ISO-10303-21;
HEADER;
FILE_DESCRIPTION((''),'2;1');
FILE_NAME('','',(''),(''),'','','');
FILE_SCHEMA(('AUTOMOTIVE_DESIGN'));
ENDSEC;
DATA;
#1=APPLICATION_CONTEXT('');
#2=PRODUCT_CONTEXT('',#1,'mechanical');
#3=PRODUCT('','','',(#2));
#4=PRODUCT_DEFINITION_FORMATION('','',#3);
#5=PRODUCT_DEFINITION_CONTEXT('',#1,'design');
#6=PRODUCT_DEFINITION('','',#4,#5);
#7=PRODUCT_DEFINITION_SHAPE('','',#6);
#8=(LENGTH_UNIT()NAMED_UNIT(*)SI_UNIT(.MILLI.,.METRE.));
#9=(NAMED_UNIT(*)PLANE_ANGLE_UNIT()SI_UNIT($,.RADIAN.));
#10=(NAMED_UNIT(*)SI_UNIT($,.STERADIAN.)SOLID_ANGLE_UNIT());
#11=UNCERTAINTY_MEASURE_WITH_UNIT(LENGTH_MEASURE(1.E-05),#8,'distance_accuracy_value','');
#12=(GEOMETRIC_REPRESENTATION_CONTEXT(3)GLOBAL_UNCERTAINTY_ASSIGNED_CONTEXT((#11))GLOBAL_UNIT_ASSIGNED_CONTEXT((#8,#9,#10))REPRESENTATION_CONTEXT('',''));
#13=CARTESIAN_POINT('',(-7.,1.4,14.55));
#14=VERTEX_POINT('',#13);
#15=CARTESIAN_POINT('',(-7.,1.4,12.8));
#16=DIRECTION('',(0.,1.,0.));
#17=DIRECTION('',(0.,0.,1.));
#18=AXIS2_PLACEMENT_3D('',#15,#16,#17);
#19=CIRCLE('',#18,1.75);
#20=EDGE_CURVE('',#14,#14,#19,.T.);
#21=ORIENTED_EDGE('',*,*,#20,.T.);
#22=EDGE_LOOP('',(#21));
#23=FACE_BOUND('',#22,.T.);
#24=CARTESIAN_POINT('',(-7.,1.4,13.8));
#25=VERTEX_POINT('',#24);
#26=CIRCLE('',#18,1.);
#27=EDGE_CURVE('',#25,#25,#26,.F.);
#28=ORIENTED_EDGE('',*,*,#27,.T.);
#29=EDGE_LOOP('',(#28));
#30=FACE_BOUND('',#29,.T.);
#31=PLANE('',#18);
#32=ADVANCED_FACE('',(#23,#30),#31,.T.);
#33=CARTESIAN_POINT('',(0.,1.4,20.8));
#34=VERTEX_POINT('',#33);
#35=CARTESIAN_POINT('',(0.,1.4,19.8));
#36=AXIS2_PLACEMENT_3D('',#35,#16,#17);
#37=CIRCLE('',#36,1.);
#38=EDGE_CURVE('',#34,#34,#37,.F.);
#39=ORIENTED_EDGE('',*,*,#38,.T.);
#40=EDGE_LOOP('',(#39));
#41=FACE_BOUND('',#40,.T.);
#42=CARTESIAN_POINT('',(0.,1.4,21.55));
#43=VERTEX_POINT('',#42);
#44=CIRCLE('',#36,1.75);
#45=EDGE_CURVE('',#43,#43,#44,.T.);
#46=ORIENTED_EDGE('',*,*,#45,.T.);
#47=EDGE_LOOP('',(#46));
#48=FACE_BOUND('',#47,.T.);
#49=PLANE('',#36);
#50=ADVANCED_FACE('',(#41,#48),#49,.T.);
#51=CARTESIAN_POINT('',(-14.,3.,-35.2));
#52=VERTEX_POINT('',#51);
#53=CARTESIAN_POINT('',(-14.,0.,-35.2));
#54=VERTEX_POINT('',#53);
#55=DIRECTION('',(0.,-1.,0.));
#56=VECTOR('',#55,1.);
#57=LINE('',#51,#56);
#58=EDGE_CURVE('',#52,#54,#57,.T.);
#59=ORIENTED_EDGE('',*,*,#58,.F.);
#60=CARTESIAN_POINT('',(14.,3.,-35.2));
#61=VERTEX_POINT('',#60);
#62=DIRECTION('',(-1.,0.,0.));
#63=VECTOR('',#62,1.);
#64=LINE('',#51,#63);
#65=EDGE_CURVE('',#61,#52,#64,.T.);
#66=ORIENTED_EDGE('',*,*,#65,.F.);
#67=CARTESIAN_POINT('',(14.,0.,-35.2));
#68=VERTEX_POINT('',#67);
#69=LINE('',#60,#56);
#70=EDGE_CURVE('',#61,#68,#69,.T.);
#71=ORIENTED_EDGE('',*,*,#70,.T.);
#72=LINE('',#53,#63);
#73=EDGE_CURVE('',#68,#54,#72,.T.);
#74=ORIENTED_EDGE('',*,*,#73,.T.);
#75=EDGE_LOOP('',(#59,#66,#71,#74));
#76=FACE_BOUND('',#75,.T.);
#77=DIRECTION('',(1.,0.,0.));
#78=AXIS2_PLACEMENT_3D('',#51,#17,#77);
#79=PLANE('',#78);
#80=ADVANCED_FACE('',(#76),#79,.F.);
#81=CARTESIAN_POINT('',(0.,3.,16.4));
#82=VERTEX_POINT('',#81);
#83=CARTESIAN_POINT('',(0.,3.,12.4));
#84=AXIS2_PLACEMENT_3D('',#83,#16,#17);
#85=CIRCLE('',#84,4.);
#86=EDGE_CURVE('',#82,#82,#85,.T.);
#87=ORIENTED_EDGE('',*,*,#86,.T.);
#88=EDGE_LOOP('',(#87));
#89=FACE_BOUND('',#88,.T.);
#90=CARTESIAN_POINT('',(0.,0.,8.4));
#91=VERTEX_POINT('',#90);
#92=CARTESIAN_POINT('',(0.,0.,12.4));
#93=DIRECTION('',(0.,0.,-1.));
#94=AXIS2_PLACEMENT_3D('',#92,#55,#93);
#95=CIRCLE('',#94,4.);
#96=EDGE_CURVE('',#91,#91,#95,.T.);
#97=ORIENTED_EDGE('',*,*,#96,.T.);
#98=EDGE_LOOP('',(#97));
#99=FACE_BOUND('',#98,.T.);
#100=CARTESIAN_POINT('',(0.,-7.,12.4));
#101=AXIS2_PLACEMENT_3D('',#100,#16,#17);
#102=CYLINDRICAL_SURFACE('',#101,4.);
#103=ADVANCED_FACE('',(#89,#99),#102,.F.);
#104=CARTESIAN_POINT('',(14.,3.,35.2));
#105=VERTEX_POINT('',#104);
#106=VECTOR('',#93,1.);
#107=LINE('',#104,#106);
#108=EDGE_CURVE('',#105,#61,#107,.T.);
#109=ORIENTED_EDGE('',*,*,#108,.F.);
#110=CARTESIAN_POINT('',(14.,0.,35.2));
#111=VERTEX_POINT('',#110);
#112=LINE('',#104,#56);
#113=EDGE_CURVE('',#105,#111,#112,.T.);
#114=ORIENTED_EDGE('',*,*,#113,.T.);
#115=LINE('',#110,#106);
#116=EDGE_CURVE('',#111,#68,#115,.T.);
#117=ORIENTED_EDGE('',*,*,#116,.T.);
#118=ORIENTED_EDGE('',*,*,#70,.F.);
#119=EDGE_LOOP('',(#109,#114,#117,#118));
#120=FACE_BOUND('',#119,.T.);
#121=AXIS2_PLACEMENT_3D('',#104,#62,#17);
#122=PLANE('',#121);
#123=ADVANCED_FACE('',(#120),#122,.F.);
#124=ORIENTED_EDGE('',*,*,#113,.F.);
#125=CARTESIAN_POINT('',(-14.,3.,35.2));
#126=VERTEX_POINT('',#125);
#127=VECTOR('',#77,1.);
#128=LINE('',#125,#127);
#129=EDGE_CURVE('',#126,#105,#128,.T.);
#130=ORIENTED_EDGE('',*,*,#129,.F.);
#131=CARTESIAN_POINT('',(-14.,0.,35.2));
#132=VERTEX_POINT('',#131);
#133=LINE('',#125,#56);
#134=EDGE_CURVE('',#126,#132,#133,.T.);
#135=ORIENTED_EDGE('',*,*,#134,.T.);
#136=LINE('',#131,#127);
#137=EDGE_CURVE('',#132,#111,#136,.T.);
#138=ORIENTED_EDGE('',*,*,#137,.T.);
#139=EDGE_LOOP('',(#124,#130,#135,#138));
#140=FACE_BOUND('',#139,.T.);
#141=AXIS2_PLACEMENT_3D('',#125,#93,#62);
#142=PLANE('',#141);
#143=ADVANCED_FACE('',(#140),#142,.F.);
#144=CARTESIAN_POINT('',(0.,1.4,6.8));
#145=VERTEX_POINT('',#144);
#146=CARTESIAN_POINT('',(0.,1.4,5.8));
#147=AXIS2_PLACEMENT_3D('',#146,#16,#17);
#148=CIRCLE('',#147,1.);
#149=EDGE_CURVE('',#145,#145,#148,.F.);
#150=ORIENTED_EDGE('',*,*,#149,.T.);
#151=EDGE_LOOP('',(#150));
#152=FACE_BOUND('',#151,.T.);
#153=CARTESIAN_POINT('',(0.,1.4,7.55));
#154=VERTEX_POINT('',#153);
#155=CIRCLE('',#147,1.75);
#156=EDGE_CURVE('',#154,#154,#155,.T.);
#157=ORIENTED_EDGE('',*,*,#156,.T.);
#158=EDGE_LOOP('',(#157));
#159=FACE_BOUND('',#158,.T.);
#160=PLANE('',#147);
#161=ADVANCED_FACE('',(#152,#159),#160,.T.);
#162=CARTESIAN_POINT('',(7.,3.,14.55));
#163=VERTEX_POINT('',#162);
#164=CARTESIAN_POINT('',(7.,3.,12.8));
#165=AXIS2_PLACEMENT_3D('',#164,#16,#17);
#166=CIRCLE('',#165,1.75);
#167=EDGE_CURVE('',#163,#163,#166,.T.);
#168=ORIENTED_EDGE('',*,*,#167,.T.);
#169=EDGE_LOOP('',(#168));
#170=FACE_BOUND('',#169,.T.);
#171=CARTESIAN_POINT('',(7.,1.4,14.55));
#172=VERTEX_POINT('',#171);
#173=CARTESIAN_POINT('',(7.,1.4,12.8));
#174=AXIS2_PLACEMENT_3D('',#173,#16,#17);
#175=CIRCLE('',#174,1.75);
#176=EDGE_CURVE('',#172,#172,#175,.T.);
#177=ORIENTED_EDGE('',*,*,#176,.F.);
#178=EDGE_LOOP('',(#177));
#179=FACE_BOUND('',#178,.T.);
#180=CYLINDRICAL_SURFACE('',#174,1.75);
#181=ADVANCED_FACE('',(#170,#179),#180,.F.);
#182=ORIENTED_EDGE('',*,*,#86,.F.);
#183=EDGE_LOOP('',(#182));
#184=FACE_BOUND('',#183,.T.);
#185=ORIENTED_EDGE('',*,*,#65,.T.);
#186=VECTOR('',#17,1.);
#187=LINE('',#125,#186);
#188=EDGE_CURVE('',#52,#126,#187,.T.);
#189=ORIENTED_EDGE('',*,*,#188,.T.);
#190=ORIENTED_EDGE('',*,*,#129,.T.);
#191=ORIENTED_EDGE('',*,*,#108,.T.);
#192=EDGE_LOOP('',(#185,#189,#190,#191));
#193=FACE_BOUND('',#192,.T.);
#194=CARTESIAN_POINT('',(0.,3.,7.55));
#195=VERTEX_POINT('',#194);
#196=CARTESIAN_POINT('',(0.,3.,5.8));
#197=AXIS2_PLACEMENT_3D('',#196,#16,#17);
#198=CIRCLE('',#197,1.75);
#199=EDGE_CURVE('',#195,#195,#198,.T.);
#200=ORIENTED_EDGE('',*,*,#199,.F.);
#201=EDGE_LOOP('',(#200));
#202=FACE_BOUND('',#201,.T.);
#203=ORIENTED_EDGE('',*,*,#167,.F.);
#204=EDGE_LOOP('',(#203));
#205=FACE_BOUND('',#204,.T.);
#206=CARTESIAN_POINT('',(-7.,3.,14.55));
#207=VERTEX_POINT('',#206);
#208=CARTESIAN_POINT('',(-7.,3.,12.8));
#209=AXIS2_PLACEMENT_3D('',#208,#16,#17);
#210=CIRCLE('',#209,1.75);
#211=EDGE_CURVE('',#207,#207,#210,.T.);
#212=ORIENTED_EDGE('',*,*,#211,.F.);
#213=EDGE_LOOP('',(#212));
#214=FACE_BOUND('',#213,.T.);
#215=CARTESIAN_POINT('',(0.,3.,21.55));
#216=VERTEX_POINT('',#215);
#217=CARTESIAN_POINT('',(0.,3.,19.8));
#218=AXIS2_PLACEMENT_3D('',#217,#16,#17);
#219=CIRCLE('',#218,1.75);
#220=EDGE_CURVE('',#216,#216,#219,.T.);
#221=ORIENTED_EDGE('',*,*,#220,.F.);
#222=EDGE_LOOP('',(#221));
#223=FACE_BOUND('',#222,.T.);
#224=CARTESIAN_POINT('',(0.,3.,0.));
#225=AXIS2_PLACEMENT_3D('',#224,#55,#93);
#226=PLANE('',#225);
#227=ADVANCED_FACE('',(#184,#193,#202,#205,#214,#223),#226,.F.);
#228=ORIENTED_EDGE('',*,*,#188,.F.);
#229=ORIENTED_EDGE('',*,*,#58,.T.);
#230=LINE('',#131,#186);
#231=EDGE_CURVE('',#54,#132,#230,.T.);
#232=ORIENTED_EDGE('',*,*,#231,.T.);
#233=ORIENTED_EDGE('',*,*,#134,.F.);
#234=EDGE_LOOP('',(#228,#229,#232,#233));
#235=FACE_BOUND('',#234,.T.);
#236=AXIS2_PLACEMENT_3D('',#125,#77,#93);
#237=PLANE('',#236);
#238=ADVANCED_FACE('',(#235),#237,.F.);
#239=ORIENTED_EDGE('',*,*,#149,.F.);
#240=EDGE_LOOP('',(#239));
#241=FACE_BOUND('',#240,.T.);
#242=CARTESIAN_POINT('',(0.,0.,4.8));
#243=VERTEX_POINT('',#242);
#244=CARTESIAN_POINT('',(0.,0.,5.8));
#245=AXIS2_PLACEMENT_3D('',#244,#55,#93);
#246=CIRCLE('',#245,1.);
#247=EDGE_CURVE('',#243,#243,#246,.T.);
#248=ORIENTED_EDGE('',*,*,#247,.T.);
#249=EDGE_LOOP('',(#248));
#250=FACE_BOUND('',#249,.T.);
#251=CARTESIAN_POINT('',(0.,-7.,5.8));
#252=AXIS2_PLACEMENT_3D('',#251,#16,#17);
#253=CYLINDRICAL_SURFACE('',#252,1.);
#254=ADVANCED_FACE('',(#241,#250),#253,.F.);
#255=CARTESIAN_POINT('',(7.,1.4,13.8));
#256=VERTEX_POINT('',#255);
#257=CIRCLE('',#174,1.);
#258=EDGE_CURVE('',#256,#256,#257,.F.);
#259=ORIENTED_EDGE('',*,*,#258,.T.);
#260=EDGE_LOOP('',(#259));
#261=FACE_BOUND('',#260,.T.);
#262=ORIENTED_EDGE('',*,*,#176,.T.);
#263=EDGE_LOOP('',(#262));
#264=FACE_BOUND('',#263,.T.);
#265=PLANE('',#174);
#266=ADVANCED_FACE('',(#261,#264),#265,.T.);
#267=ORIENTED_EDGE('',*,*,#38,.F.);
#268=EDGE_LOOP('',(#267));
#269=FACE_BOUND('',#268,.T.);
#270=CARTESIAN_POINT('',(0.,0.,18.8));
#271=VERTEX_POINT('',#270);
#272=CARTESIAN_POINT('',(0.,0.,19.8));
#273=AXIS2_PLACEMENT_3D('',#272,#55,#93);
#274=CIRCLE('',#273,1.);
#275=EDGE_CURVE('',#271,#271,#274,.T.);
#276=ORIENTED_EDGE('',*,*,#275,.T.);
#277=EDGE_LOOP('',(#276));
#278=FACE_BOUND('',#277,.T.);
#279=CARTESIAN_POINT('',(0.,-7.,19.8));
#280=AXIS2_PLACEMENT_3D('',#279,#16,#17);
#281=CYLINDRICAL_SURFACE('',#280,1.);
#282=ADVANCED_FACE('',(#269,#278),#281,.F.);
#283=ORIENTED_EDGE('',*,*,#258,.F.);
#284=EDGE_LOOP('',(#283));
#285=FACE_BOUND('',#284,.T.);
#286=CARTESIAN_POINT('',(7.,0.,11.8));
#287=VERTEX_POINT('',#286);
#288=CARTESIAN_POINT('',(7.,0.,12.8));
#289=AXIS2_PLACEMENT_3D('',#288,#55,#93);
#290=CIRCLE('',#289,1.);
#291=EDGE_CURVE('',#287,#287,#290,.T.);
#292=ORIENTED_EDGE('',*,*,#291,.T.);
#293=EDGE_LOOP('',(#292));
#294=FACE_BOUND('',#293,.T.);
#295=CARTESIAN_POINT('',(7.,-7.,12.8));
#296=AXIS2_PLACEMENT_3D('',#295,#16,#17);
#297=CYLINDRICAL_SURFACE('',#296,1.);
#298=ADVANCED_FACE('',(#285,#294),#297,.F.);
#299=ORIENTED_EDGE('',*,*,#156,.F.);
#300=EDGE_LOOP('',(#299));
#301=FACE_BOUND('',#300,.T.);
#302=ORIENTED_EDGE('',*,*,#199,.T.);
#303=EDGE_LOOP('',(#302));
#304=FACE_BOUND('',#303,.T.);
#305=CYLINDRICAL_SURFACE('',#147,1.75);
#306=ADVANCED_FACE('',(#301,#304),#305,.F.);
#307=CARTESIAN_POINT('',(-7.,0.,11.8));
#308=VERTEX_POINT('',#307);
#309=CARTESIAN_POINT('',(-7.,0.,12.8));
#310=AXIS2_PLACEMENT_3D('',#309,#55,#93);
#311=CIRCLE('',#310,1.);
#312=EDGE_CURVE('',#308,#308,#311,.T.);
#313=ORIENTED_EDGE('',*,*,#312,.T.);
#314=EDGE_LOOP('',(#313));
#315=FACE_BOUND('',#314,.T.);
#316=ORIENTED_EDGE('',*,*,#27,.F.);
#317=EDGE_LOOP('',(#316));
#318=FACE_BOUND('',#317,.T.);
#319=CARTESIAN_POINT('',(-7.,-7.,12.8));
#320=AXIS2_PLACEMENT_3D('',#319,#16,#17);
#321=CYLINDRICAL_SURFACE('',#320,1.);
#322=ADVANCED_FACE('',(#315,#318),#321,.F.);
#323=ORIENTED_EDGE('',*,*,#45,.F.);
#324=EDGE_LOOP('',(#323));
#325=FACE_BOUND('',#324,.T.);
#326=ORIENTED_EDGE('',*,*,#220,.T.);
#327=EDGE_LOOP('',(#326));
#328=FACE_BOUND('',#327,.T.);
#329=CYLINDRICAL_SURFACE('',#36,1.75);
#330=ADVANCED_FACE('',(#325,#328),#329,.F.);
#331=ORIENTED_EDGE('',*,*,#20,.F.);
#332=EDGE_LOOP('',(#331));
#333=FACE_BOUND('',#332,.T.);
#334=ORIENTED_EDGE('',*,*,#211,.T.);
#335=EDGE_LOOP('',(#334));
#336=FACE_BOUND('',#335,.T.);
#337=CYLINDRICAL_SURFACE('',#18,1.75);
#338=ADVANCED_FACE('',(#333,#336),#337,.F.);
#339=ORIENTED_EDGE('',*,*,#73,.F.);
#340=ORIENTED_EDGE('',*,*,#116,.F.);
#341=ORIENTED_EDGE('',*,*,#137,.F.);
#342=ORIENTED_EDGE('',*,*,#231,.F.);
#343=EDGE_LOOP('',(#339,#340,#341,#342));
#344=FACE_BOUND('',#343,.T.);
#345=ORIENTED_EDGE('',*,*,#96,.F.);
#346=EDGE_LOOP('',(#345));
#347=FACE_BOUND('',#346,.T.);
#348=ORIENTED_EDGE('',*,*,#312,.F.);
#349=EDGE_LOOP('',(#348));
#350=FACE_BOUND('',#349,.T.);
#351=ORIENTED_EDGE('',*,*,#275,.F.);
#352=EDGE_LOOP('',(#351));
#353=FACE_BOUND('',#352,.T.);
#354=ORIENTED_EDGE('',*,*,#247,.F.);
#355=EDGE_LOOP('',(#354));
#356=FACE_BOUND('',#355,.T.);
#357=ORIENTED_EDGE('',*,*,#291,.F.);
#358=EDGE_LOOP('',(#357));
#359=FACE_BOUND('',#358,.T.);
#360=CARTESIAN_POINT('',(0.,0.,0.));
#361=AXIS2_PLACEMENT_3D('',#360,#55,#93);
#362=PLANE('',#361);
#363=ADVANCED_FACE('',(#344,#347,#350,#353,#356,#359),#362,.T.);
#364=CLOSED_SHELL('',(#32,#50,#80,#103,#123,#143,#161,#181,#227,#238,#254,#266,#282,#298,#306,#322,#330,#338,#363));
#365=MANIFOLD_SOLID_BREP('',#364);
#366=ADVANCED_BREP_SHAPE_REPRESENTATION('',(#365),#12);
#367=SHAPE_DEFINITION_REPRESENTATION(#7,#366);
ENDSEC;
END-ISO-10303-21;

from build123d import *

# Parameters (mm, degrees)
SKETCH1_W           = 28
SKETCH1_H           = 70.4
BOSS_EXTRUDE1_DEPTH = 3
SKETCH4_R           = 1
CUT_EXTRUDE2_DEPTH  = 10
SKETCH5_R           = 4
CUT_EXTRUDE3_DEPTH  = 10
SKETCH10_R          = 1.75
CUT_EXTRUDE9_DEPTH  = 1.6


with BuildPart() as part:
    # Sketch1 → Boss-Extrude1 (new body)
    with BuildSketch(Plane(origin=(0, 0, 0), x_dir=(1, 0, 0), z_dir=(0, 1, 0))):
        Rectangle(SKETCH1_W, SKETCH1_H)
    extrude(amount=BOSS_EXTRUDE1_DEPTH)

    # Sketch4 → Cut-Extrude2 (cut)
    with BuildSketch(Plane(origin=(0, 3, 0), x_dir=(1, 0, 0), z_dir=(0, 1, 0))):
        with Locations((7, -12.8)):
            Circle(SKETCH4_R)
        with Locations((0, -19.8)):
            Circle(SKETCH4_R)
        with Locations((-7, -12.8)):
            Circle(SKETCH4_R)
        with Locations((0, -5.8)):
            Circle(SKETCH4_R)
    extrude(amount=-CUT_EXTRUDE2_DEPTH, mode=Mode.SUBTRACT)

    # Sketch5 → Cut-Extrude3 (cut)
    with BuildSketch(Plane(origin=(0, 3, 0), x_dir=(1, 0, 0), z_dir=(0, 1, 0))):
        with Locations((0, -12.4)):
            Circle(SKETCH5_R)
    extrude(amount=-CUT_EXTRUDE3_DEPTH, mode=Mode.SUBTRACT)

    # Sketch10 → Cut-Extrude9 (cut)
    with BuildSketch(Plane(origin=(0, 3, 0), x_dir=(1, 0, 0), z_dir=(0, 1, 0))):
        with Locations((0, -19.8)):
            Circle(SKETCH10_R)
        with Locations((-7, -12.8)):
            Circle(SKETCH10_R)
        with Locations((0, -5.8)):
            Circle(SKETCH10_R)
        with Locations((7, -12.8)):
            Circle(SKETCH10_R)
    extrude(amount=-CUT_EXTRUDE9_DEPTH, mode=Mode.SUBTRACT)


solid = part.part
